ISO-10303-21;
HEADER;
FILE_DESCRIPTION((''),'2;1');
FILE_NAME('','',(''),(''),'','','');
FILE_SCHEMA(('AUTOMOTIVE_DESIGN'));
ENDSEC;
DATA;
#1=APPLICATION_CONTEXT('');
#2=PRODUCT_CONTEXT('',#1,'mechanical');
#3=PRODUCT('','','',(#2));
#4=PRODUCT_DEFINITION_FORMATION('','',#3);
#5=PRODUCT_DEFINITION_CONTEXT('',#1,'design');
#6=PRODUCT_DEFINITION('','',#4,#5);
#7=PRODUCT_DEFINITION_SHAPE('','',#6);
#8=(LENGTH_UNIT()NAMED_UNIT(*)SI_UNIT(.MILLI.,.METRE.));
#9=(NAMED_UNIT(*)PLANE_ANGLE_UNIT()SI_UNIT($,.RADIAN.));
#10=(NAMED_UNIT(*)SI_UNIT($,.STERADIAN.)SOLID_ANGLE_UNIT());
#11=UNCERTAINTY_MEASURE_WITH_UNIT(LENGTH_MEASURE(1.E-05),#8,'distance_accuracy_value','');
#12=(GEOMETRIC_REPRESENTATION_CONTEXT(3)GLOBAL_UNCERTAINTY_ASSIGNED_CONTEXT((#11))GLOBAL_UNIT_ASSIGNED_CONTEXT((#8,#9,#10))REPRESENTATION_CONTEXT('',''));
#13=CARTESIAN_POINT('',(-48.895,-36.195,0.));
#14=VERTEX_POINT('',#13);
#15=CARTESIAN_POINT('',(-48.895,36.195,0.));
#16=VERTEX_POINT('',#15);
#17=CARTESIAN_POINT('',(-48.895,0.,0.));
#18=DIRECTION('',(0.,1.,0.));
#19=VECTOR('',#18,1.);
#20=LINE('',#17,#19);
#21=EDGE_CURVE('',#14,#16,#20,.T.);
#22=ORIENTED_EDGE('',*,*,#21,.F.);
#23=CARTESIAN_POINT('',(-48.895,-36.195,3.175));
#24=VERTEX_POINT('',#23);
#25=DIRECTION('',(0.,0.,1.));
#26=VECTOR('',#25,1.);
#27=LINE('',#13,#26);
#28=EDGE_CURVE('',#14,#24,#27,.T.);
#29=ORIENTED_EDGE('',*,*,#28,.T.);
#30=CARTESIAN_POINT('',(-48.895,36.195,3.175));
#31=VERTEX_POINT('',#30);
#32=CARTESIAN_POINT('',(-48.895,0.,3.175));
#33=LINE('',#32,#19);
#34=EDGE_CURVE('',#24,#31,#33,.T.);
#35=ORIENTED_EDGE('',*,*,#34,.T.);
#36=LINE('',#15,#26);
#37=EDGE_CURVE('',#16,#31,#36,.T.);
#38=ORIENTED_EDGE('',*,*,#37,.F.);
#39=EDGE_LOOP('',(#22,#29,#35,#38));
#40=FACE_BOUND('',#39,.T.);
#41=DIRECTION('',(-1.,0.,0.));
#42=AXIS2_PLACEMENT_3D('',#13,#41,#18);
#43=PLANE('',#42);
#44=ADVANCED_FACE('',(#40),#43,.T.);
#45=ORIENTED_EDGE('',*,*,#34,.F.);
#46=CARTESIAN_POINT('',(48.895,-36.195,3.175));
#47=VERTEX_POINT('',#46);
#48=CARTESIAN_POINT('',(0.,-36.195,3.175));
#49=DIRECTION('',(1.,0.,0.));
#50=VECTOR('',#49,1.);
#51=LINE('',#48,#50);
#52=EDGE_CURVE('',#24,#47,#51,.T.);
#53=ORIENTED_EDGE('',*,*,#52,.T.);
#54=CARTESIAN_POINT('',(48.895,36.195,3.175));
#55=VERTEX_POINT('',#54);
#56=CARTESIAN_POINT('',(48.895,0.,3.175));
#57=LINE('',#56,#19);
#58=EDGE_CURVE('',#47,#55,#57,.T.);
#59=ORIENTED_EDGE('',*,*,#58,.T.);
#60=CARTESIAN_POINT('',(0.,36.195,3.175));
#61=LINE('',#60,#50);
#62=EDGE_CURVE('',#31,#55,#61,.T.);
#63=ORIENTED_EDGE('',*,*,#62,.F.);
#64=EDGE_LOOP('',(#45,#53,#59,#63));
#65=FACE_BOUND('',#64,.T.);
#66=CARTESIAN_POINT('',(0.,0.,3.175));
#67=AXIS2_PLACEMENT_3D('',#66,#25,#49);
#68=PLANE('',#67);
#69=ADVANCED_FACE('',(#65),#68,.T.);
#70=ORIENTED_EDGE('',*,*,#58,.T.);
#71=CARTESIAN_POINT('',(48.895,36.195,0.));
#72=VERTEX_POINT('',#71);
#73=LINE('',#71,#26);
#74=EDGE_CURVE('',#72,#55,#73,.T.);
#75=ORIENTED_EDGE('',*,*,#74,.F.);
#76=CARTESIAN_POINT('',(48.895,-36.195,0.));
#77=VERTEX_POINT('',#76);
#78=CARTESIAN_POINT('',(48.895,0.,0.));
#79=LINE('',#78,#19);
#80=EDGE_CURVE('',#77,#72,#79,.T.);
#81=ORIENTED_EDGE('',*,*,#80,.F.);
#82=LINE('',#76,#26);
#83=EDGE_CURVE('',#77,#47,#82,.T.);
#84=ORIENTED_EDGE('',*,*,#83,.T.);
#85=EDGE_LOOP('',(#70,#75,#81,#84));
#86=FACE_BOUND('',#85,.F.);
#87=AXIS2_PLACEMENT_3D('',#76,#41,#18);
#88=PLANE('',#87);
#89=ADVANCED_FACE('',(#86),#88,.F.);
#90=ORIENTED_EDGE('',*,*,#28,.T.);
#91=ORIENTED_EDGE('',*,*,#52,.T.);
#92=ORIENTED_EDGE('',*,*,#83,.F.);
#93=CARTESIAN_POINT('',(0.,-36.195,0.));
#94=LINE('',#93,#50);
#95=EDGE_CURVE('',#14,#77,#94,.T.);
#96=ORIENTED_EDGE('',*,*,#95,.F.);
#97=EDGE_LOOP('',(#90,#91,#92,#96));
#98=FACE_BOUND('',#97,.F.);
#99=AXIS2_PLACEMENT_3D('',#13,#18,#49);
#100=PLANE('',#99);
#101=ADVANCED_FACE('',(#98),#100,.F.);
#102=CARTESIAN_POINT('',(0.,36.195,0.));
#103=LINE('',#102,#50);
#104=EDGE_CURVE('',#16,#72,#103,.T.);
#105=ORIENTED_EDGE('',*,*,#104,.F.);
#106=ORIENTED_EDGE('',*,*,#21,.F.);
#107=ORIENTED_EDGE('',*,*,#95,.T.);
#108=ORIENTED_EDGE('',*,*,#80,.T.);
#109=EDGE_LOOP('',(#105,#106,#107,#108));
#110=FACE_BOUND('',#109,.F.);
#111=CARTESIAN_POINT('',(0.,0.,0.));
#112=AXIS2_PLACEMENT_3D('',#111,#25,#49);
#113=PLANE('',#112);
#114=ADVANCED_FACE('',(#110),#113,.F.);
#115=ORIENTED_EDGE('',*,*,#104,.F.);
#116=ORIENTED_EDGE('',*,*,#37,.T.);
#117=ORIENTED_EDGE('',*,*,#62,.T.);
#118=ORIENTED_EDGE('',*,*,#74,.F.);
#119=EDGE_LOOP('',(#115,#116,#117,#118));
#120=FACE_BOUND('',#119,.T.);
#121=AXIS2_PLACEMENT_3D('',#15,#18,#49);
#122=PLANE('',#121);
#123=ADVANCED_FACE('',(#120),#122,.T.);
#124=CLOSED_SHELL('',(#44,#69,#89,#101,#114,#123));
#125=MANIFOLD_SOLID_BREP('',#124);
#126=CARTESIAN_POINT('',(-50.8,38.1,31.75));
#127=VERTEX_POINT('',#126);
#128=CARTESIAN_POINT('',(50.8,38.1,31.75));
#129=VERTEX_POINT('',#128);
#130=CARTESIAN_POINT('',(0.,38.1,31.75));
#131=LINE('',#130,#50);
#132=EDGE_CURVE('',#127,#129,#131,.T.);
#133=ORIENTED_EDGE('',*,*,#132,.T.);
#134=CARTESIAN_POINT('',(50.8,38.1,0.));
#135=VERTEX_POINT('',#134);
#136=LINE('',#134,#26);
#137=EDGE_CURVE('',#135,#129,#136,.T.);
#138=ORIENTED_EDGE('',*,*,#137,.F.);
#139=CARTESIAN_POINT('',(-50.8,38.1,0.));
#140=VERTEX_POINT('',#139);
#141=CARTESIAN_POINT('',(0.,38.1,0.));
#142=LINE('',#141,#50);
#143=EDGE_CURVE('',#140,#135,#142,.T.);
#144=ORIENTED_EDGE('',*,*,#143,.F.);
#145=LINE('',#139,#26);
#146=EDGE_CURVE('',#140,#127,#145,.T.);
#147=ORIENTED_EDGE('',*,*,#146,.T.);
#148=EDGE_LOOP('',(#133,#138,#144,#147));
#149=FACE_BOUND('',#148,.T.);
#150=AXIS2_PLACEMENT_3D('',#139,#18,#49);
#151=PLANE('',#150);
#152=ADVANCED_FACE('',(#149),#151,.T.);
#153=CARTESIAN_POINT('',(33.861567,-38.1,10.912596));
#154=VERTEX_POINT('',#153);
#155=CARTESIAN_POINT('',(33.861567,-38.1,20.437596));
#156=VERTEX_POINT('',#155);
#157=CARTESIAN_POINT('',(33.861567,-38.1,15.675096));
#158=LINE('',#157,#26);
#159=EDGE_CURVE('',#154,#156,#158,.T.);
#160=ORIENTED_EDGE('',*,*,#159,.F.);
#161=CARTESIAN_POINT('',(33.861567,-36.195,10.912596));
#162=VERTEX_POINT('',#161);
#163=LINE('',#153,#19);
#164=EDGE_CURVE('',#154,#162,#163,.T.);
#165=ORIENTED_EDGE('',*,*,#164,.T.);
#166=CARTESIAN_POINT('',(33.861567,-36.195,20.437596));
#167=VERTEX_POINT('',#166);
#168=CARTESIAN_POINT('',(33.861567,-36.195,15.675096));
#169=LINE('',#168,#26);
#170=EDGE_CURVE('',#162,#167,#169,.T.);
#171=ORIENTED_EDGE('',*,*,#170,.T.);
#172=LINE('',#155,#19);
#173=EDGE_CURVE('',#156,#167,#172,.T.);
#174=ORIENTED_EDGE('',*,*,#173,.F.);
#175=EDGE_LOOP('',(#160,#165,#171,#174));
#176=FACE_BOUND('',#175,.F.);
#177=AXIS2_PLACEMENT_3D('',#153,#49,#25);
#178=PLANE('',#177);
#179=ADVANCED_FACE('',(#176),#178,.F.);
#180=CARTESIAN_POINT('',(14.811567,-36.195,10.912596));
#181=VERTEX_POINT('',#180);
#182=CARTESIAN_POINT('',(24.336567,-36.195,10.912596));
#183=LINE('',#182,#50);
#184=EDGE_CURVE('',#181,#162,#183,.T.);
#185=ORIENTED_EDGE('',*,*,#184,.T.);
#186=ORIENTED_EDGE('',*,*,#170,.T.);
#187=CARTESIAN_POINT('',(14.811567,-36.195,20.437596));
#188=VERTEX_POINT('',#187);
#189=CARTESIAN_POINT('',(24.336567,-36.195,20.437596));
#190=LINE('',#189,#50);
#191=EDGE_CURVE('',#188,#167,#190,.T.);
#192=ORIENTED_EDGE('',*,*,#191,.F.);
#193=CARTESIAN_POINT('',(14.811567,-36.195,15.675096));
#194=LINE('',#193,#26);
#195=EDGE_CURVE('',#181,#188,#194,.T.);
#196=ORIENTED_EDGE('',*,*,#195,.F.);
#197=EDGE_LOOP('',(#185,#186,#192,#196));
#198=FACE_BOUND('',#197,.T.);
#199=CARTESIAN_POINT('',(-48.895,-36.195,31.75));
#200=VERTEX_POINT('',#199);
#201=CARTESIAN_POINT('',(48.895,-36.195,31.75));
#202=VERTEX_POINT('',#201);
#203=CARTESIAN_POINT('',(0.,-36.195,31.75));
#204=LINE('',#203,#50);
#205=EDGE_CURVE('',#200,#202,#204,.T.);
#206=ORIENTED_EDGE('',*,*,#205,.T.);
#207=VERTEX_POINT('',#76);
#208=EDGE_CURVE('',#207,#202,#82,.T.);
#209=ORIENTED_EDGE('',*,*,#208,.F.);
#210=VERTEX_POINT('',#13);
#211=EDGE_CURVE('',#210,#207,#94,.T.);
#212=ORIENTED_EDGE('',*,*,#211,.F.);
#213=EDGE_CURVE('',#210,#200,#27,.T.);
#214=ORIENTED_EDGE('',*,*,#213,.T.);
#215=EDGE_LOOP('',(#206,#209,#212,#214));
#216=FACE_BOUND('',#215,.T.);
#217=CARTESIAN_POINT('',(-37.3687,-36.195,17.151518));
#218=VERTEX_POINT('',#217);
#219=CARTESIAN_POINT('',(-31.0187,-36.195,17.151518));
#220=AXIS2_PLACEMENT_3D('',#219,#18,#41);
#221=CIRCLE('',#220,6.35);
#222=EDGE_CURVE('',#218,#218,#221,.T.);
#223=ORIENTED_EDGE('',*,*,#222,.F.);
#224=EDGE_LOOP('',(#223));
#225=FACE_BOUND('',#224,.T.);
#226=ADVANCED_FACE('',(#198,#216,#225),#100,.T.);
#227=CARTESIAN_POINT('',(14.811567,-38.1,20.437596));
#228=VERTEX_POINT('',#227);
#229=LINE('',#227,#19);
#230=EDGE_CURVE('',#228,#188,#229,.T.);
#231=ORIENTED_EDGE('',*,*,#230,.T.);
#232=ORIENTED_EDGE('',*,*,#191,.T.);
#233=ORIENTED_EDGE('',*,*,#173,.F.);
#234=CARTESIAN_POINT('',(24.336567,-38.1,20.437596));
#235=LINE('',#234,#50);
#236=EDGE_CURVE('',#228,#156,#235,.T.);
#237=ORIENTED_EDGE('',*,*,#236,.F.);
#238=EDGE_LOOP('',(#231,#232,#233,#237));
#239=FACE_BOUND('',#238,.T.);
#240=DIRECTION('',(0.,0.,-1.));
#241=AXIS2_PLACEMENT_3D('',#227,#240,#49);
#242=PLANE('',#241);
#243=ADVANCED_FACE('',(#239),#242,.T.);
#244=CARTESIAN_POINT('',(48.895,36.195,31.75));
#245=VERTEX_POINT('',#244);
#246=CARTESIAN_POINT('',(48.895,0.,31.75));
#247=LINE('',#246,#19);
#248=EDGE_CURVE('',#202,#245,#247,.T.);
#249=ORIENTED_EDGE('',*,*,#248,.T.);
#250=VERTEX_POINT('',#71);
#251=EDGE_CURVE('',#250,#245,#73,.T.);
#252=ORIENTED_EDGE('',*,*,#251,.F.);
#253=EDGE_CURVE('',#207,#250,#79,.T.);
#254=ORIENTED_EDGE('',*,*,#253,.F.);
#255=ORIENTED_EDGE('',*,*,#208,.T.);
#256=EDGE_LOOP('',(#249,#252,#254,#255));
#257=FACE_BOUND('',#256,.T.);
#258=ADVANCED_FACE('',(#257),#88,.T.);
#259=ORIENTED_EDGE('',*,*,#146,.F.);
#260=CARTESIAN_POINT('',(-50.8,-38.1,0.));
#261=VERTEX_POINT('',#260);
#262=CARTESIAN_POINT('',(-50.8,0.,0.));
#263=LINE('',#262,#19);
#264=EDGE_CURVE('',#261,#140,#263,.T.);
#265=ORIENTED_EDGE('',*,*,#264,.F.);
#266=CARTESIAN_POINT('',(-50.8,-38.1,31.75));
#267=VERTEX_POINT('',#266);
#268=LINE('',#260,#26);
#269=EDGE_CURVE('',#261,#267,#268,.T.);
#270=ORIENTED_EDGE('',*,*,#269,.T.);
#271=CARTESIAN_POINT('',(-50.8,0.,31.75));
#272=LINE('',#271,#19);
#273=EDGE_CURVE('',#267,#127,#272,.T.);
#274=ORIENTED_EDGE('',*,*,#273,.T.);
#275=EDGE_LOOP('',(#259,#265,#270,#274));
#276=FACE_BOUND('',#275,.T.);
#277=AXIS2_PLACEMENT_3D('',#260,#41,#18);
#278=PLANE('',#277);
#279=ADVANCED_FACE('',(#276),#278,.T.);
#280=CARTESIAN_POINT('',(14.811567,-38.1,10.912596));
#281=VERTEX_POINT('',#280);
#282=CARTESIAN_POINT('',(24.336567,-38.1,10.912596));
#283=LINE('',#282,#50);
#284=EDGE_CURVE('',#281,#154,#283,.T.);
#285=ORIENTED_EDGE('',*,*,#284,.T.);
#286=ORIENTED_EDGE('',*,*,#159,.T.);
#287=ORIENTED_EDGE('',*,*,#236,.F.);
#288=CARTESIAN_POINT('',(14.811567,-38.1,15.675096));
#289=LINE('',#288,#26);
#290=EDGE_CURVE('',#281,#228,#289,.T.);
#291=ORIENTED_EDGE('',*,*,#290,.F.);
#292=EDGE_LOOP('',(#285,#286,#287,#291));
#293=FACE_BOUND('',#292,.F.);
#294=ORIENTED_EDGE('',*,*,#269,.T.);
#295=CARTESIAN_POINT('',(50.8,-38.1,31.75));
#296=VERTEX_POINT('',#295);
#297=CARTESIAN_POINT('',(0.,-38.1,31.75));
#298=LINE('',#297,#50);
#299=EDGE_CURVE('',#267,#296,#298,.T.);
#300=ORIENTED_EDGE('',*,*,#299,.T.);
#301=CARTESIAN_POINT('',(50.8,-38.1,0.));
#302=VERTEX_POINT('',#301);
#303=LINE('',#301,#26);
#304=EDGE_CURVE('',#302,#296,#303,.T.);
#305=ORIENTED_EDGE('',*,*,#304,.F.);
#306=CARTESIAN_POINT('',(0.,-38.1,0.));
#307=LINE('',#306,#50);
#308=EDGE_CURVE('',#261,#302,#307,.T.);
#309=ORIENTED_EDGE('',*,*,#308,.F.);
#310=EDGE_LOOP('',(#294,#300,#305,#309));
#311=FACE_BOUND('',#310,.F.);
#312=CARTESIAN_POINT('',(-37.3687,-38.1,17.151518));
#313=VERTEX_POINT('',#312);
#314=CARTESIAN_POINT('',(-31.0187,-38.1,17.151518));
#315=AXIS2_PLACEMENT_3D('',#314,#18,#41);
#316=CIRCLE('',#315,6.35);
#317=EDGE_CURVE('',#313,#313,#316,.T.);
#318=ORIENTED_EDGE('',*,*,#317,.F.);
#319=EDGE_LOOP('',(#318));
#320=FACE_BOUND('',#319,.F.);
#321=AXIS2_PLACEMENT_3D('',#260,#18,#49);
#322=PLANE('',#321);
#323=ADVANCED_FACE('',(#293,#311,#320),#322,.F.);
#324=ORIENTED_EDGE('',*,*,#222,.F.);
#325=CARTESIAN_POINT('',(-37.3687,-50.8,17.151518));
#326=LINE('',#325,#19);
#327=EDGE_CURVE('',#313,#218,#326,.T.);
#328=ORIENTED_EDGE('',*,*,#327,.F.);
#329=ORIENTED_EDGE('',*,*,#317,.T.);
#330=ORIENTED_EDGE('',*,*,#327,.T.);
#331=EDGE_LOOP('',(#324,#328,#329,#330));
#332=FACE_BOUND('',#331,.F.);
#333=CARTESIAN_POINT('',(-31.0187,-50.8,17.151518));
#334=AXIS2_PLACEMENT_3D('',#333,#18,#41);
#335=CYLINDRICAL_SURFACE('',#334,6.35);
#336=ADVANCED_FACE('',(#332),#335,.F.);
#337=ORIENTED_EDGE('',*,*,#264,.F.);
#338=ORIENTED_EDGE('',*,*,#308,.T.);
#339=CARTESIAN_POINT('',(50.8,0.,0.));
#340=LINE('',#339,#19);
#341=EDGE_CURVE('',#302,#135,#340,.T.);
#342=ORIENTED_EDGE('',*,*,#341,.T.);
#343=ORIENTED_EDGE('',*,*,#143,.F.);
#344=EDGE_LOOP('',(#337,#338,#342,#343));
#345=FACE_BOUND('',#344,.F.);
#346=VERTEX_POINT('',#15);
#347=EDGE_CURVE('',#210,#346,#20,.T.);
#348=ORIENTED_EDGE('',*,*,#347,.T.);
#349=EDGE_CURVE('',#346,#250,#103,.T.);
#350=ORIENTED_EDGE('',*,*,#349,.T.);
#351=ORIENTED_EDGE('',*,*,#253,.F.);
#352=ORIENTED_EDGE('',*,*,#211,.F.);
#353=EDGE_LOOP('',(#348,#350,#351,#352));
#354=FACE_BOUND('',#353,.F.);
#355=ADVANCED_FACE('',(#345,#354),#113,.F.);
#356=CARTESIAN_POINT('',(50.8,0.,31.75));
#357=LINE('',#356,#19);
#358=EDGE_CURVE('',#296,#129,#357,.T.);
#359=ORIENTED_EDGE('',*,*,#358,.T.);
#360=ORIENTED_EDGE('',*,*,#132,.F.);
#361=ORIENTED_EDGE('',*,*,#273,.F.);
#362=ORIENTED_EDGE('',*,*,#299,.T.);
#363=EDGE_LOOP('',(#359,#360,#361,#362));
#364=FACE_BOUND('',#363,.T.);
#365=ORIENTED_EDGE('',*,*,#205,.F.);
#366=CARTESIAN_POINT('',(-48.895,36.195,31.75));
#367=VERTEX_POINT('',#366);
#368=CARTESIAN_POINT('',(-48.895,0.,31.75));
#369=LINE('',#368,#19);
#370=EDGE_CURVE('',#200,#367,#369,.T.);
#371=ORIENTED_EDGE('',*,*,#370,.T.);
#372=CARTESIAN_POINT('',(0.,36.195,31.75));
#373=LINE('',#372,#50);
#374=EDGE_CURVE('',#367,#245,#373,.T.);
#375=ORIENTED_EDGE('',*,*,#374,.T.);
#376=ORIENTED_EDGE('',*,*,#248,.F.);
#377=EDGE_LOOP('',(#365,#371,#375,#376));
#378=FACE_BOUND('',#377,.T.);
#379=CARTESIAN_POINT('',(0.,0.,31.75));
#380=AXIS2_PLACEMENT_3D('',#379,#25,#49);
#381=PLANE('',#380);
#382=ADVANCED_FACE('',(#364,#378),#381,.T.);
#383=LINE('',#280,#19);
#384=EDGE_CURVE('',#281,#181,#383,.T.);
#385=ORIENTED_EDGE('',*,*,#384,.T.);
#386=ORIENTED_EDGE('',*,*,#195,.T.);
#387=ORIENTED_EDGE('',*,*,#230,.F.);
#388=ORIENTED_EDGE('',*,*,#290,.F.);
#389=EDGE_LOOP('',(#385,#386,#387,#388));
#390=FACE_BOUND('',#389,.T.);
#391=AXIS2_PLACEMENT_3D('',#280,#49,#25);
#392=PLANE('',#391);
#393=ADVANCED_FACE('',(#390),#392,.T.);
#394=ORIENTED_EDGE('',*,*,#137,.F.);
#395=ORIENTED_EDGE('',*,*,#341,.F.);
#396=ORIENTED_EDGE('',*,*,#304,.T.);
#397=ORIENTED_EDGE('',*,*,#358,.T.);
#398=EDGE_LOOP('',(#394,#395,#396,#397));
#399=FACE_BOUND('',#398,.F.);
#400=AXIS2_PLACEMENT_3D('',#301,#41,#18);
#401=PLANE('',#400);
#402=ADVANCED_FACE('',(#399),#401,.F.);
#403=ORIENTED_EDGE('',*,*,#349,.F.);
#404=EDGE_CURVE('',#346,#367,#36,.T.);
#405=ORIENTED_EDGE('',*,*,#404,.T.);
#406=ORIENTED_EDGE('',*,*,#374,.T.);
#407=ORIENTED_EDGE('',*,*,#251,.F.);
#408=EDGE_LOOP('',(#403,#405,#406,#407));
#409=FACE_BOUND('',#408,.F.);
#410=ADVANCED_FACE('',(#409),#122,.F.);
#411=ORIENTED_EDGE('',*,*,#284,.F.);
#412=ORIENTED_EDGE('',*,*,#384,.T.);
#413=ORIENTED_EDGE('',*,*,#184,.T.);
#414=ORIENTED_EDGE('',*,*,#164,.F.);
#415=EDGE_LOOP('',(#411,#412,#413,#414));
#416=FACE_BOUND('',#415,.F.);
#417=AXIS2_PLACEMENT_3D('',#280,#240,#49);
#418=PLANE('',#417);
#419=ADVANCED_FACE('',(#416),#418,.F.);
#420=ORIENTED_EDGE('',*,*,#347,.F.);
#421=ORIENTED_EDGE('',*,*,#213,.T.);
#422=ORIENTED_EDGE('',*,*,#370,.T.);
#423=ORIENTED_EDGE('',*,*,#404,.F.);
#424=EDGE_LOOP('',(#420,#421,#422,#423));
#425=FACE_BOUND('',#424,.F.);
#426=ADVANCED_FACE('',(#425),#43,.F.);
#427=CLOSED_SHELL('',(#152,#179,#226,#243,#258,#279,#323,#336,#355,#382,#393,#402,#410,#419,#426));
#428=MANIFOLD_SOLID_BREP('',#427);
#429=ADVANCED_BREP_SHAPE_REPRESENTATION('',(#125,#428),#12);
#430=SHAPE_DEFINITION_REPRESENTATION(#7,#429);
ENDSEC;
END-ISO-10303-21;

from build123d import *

# Parameters (mm, degrees)
F0_W     = 101.6
F0_H     = 76.2
F0_W_2   = 97.79
F0_H_2   = 72.39
F1_DEPTH = 31.75
F3_D     = 12.7
F3_DEPTH = 12.7
F4_DEPTH = 3.175
F2_W     = 19.05
F2_H     = 9.525
F5_DEPTH = 1.905


with BuildPart() as f1:
    # F0 (on Top) → F1 (new body)
    with BuildSketch(Plane.XY):
        Rectangle(F0_W, F0_H)
        Rectangle(F0_W_2, F0_H_2, mode=Mode.SUBTRACT)
    extrude(amount=F1_DEPTH)

    # F3
    with Locations(Plane.XZ.offset(38.1)):
        with Locations((-31.0187, 17.151518)):
            Hole(F3_D / 2, depth=F3_DEPTH)

    # F2 (on face) → F5 (cut, through all)
    with BuildSketch(Plane.XZ.offset(38.1)):
        with Locations((24.336567, 15.675096)):
            Rectangle(F2_W, F2_H)
    extrude(amount=-F5_DEPTH, mode=Mode.SUBTRACT)


with BuildPart() as f4:
    # F0 (on Top) → F4 (new body)
    with BuildSketch(Plane.XY):
        Rectangle(F0_W_2, F0_H_2)
    extrude(amount=F4_DEPTH)


solid = Compound([f1.part, f4.part])
